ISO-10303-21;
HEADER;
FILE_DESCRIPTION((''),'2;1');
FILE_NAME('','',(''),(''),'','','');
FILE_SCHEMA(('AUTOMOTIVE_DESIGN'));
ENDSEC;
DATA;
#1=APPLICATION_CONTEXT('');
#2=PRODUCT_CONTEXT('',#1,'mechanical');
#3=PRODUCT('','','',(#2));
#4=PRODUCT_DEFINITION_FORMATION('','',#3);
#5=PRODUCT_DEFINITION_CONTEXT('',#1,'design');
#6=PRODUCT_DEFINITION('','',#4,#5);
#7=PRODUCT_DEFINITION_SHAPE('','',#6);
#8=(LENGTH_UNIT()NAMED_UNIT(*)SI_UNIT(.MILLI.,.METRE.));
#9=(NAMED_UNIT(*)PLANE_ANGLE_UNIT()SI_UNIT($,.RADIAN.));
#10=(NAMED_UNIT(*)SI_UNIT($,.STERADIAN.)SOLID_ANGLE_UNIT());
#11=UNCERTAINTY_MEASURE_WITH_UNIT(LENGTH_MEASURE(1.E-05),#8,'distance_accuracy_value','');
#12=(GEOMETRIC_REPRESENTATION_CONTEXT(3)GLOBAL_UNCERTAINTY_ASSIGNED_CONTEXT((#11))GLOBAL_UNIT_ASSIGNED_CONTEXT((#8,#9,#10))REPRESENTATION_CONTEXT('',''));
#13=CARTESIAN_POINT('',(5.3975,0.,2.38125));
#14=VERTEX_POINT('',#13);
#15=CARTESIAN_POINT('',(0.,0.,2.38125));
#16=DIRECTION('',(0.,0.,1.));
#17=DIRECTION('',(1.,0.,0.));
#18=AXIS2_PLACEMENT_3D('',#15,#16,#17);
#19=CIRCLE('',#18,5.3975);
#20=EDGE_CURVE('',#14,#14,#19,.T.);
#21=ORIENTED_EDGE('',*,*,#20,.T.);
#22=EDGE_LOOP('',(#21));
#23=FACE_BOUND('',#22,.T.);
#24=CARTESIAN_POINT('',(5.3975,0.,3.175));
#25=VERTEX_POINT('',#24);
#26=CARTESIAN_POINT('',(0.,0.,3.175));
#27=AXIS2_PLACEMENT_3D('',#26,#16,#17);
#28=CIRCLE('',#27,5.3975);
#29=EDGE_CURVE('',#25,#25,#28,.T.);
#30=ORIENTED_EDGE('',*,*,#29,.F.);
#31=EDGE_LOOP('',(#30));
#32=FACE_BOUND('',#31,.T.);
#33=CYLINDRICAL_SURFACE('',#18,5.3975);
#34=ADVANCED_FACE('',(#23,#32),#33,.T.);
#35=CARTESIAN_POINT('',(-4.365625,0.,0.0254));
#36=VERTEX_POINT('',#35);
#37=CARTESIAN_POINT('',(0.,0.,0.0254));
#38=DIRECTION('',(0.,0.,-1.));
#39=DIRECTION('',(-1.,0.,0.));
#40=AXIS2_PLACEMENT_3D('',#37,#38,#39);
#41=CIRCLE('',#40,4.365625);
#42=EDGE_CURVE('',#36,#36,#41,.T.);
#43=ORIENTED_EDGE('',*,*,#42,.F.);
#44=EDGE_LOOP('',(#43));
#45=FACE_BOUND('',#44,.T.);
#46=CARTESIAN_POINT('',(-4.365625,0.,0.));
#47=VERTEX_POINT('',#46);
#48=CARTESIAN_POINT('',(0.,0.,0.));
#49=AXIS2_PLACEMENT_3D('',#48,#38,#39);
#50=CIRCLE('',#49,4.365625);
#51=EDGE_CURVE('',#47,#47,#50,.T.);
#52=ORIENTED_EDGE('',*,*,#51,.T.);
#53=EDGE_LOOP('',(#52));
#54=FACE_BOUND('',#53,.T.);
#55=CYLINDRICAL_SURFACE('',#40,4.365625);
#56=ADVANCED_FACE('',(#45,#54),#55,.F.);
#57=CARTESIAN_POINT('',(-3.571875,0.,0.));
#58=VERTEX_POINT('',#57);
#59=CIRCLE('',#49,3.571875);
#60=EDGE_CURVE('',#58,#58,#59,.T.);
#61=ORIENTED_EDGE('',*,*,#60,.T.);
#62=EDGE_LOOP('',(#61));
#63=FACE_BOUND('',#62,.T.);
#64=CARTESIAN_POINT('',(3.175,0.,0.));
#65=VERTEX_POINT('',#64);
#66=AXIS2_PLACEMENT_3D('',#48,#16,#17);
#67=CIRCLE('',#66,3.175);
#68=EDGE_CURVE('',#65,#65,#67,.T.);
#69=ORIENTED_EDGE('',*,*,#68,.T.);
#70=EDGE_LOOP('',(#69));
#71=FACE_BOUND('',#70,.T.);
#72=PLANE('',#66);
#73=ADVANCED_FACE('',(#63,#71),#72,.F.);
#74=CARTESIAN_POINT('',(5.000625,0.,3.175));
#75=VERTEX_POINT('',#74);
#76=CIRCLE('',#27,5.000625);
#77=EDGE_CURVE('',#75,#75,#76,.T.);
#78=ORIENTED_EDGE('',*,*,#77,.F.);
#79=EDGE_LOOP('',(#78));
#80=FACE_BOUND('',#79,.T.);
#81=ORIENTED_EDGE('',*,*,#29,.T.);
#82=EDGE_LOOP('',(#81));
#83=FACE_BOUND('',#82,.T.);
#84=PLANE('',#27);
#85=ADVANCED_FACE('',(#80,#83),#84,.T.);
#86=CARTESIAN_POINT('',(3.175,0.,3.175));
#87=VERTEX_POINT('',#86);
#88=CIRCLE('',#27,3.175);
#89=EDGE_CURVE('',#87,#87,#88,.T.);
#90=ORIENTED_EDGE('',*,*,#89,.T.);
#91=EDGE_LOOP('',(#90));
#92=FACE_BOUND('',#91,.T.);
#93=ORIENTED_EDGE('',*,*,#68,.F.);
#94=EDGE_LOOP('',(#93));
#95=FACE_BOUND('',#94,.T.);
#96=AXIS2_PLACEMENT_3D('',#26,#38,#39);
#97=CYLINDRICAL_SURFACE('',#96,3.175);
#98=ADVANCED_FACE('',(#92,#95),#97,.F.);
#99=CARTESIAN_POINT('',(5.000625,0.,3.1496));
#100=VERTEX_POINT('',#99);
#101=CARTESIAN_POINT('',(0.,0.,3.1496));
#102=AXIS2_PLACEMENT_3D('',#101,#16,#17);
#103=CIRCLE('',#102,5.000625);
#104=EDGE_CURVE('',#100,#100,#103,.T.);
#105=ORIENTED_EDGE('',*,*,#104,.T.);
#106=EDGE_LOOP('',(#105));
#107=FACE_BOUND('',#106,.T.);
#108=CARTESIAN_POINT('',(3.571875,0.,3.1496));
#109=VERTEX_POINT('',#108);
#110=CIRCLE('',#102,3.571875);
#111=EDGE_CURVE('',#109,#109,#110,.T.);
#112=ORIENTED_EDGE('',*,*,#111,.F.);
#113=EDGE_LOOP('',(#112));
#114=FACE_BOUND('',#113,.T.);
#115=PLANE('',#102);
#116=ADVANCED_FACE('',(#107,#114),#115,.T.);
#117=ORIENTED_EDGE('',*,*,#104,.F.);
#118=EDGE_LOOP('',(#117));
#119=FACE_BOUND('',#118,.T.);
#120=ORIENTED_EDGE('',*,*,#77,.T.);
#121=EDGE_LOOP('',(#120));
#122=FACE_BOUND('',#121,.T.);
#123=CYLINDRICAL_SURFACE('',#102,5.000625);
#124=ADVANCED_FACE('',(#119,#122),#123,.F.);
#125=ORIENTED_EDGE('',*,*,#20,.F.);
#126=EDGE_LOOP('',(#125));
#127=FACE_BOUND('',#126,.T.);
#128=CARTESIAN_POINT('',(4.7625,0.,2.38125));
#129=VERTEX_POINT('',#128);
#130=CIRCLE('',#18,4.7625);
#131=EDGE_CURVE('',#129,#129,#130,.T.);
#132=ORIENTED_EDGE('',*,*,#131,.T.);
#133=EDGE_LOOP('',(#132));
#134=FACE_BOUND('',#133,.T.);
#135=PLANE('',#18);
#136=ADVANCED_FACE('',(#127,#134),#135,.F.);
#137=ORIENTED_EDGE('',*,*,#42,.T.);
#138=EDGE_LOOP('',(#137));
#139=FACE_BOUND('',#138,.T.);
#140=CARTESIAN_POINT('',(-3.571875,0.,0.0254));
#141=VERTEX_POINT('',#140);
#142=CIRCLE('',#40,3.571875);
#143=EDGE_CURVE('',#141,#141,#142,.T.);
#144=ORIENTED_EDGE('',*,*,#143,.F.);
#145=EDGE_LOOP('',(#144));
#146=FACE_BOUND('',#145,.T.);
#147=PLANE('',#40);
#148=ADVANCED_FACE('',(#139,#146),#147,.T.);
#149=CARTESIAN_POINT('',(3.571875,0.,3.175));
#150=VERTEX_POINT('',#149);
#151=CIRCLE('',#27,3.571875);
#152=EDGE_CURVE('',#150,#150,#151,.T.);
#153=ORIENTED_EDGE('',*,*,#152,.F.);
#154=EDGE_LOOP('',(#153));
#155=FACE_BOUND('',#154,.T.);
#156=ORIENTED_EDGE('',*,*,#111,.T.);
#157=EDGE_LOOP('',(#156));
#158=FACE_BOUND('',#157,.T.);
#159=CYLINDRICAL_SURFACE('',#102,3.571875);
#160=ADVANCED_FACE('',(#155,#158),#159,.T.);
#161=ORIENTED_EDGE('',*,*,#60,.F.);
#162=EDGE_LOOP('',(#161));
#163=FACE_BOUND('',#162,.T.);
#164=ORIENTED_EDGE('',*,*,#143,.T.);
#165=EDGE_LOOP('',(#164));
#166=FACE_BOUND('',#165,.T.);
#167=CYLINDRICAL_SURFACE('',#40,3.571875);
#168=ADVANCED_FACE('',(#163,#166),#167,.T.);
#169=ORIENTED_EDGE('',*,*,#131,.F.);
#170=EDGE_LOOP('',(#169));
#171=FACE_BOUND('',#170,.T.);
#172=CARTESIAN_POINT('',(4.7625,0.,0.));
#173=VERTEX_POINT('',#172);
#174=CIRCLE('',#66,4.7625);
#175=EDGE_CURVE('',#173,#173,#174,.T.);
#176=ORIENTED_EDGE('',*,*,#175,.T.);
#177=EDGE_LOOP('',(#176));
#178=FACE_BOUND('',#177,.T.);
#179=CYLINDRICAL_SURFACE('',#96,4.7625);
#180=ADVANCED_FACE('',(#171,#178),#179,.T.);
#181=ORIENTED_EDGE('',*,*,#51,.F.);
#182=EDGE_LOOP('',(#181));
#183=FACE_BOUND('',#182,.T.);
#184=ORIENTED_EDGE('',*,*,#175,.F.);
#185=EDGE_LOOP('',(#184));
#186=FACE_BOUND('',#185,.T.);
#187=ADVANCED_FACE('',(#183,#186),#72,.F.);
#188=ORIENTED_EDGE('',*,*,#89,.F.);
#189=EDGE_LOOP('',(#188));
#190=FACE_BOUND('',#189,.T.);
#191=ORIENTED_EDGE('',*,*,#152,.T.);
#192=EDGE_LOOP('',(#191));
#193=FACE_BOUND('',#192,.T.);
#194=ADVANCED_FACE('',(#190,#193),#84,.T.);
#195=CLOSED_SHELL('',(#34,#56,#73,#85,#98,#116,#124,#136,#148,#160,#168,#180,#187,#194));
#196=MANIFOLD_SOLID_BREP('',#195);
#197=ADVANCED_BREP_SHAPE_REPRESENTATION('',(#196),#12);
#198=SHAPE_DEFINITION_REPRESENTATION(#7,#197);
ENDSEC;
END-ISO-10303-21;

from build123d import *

# Parameters (mm, degrees)
SKETCH1_R           = 4.7625
SKETCH1_R_2         = 3.175
BOSS_EXTRUDE1_DEPTH = 3.175
BOSS_EXTRUDE2_START = -0.79375
SKETCH2_R           = 5.3975
SKETCH2_R_2         = 4.7625
BOSS_EXTRUDE2_DEPTH = 0.79375
SKETCH3_R           = 5.000625
SKETCH3_R_2         = 3.571875
CUT_EXTRUDE1_DEPTH  = 0.0254
CUT_EXTRUDE2_START  = -0.0254
SKETCH4_R           = 4.365625
SKETCH4_R_2         = 3.571875
CUT_EXTRUDE2_DEPTH  = 0.0254


with BuildPart() as part:
    # Sketch1 → Boss-Extrude1 (new body)
    with BuildSketch(Plane.XY):
        Circle(SKETCH1_R)
        Circle(SKETCH1_R_2, mode=Mode.SUBTRACT)
    extrude(amount=BOSS_EXTRUDE1_DEPTH)

    # Sketch2 → Boss-Extrude2 (add)
    with BuildSketch(Plane.XY.offset(3.175).offset(BOSS_EXTRUDE2_START)):
        Circle(SKETCH2_R)
        Circle(SKETCH2_R_2, mode=Mode.SUBTRACT)
    extrude(amount=BOSS_EXTRUDE2_DEPTH)

    # Sketch3 → Cut-Extrude1 (cut)
    with BuildSketch(Plane.XY.offset(3.175)):
        Circle(SKETCH3_R)
        Circle(SKETCH3_R_2, mode=Mode.SUBTRACT)
    extrude(amount=-CUT_EXTRUDE1_DEPTH, mode=Mode.SUBTRACT)

    # Sketch4 → Cut-Extrude2 (cut)
    with BuildSketch(Plane(origin=(0, 0, 0), x_dir=(-1, 0, 0), z_dir=(0, 0, -1)).offset(CUT_EXTRUDE2_START)):
        Circle(SKETCH4_R)
        with Locations(Location((0, 0, 0), (0, 0, 180))):
            Circle(SKETCH4_R_2, mode=Mode.SUBTRACT)
    extrude(amount=CUT_EXTRUDE2_DEPTH, mode=Mode.SUBTRACT)


solid = part.part
